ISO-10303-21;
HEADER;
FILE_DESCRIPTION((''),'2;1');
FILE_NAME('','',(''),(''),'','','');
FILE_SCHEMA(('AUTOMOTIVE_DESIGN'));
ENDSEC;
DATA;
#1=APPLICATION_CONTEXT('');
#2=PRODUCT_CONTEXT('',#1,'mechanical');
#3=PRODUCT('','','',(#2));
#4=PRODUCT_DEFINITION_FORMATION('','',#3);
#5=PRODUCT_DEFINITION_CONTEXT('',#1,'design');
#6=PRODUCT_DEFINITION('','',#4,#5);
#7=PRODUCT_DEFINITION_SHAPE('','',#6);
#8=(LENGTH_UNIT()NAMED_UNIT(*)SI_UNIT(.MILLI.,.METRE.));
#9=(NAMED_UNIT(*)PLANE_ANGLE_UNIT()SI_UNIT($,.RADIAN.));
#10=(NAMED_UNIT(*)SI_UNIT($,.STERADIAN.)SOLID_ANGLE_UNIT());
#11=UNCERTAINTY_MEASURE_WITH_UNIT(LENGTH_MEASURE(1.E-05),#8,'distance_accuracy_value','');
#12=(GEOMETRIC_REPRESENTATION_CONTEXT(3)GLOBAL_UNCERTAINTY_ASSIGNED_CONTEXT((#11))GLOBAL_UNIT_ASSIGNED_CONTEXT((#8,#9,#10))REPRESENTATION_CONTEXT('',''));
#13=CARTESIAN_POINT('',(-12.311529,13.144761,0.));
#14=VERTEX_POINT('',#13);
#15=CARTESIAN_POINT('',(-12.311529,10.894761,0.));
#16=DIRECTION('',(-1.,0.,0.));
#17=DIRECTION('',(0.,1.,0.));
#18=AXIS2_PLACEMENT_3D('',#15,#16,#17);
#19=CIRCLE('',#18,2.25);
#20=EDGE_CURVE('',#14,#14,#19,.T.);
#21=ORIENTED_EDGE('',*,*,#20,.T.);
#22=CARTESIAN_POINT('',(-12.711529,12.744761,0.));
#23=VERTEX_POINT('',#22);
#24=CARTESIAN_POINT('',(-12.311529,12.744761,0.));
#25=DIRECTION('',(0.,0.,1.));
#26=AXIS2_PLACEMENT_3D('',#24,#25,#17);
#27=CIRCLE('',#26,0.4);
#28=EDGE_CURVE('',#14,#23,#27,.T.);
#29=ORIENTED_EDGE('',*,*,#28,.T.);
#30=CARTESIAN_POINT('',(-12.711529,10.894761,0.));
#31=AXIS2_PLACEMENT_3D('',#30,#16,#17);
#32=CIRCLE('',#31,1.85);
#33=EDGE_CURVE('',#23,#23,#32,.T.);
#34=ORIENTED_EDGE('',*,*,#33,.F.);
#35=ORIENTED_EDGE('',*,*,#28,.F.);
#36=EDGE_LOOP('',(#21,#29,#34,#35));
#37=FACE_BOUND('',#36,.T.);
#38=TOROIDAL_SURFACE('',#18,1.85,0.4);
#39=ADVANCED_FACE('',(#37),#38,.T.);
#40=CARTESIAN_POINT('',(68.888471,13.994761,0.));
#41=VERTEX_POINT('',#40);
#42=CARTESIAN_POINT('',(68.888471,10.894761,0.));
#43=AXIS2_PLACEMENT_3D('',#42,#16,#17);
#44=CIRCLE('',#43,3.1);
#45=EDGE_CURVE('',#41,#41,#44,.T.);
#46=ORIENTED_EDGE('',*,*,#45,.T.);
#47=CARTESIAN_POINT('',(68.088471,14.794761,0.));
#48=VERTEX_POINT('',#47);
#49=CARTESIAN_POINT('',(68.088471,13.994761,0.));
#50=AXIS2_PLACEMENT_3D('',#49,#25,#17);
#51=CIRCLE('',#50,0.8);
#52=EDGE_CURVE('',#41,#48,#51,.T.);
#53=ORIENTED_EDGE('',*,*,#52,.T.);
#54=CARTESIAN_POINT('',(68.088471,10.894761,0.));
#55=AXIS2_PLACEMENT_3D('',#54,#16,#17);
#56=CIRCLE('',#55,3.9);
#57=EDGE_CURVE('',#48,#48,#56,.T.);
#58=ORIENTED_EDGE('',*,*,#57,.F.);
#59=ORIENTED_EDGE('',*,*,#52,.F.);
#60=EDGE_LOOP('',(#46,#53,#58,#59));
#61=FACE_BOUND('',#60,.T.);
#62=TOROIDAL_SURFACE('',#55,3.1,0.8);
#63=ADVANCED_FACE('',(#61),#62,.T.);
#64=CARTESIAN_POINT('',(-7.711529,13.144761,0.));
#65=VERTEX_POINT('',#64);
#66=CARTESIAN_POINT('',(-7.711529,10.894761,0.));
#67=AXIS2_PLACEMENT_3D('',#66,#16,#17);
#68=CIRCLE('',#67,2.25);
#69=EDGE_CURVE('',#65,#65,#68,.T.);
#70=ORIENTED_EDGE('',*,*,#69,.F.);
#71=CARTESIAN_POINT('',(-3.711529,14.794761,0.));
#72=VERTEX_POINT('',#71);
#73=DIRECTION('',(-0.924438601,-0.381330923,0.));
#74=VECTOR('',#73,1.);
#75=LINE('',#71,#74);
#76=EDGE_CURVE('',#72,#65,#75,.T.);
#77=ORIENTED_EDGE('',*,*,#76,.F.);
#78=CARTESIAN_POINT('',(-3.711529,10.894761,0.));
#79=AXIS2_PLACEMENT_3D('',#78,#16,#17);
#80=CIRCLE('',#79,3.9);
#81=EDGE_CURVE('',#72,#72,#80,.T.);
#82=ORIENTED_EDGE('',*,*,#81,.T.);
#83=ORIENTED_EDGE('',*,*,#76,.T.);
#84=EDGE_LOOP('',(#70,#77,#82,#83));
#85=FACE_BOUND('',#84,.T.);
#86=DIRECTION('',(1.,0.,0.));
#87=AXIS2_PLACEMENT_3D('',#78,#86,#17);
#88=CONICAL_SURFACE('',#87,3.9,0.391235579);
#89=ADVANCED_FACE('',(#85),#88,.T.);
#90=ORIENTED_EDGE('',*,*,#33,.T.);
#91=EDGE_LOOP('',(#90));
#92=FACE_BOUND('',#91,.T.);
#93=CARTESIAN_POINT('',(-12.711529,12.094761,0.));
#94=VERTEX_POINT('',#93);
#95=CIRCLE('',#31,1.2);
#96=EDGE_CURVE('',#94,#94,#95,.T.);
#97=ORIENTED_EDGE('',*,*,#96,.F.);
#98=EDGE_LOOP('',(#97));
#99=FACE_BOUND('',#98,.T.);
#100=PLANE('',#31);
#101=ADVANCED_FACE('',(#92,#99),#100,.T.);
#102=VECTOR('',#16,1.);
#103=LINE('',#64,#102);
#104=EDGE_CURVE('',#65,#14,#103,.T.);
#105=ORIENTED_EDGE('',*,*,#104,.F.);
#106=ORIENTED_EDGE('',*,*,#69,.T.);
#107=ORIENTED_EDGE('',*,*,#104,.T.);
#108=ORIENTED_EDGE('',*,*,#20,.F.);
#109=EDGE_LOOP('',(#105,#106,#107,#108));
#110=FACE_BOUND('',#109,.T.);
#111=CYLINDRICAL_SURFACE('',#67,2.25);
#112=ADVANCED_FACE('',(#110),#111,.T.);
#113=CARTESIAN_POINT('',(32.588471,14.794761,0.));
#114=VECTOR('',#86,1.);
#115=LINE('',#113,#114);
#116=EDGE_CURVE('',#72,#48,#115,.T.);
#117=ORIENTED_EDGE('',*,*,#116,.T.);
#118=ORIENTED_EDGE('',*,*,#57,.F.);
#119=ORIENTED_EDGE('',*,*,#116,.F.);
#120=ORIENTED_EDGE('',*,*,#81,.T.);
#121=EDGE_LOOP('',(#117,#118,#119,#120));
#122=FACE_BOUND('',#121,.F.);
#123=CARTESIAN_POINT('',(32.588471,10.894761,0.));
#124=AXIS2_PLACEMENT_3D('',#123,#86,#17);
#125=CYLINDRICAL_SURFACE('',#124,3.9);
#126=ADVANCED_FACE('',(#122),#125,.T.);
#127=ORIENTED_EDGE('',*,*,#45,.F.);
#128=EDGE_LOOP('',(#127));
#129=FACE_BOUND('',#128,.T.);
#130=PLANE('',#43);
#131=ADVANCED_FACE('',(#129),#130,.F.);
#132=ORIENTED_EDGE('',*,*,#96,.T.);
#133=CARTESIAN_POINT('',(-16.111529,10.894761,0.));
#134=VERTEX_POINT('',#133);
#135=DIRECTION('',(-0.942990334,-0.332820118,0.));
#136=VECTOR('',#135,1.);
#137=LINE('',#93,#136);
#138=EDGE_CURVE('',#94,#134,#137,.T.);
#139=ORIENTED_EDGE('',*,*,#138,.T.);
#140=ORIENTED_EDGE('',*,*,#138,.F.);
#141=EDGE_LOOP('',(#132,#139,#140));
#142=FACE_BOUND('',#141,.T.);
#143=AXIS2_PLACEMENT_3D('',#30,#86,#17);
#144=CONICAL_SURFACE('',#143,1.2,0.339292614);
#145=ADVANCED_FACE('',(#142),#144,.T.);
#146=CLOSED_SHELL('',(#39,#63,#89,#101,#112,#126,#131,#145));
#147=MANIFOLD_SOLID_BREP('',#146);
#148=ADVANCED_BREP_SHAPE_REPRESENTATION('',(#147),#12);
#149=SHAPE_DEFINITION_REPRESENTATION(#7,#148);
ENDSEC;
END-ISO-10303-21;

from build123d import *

# Parameters (mm, degrees)
F0_W = 72.6
F0_H = 3.9
F2_R = 0.8
F3_R = 0.4


with BuildPart() as f1:
    # F0 (on Top) → F1 (revolve)
    with BuildSketch(Plane.XY):
        Polygon((-12.7115285009, 12.0947610609), (-16.1115285009, 10.8947610609), (-12.7115285009, 10.8947610609), align=None)
        Polygon((-7.7115285009, 10.8947610609), (-7.7115285009, 13.1447610609), (-12.7115285009, 13.1447610609), (-12.7115285009, 12.0947610609), (-12.7115285009, 10.8947610609), align=None)
        Polygon((-3.7115285009, 10.8947610609), (-3.7115285009, 14.7947610609), (-7.7115285009, 13.1447610609), (-7.7115285009, 10.8947610609), align=None)
        with Locations((32.5884714991, 12.8447610609)):
            Rectangle(F0_W, F0_H)
    revolve(axis=Axis((26.3884714991, 10.8947610609, 0), (-1, 0, 0)))

    # F2
    f2_edges = [f1.edges().sort_by_distance(p)[0] for p in [
        (68.888471, 6.994761, 0),
    ]]
    fillet(f2_edges, radius=F2_R)

    # F3
    f3_edges = [f1.edges().sort_by_distance(p)[0] for p in [
        (-12.711529, 8.644761, 0),
    ]]
    fillet(f3_edges, radius=F3_R)


solid = f1.part
